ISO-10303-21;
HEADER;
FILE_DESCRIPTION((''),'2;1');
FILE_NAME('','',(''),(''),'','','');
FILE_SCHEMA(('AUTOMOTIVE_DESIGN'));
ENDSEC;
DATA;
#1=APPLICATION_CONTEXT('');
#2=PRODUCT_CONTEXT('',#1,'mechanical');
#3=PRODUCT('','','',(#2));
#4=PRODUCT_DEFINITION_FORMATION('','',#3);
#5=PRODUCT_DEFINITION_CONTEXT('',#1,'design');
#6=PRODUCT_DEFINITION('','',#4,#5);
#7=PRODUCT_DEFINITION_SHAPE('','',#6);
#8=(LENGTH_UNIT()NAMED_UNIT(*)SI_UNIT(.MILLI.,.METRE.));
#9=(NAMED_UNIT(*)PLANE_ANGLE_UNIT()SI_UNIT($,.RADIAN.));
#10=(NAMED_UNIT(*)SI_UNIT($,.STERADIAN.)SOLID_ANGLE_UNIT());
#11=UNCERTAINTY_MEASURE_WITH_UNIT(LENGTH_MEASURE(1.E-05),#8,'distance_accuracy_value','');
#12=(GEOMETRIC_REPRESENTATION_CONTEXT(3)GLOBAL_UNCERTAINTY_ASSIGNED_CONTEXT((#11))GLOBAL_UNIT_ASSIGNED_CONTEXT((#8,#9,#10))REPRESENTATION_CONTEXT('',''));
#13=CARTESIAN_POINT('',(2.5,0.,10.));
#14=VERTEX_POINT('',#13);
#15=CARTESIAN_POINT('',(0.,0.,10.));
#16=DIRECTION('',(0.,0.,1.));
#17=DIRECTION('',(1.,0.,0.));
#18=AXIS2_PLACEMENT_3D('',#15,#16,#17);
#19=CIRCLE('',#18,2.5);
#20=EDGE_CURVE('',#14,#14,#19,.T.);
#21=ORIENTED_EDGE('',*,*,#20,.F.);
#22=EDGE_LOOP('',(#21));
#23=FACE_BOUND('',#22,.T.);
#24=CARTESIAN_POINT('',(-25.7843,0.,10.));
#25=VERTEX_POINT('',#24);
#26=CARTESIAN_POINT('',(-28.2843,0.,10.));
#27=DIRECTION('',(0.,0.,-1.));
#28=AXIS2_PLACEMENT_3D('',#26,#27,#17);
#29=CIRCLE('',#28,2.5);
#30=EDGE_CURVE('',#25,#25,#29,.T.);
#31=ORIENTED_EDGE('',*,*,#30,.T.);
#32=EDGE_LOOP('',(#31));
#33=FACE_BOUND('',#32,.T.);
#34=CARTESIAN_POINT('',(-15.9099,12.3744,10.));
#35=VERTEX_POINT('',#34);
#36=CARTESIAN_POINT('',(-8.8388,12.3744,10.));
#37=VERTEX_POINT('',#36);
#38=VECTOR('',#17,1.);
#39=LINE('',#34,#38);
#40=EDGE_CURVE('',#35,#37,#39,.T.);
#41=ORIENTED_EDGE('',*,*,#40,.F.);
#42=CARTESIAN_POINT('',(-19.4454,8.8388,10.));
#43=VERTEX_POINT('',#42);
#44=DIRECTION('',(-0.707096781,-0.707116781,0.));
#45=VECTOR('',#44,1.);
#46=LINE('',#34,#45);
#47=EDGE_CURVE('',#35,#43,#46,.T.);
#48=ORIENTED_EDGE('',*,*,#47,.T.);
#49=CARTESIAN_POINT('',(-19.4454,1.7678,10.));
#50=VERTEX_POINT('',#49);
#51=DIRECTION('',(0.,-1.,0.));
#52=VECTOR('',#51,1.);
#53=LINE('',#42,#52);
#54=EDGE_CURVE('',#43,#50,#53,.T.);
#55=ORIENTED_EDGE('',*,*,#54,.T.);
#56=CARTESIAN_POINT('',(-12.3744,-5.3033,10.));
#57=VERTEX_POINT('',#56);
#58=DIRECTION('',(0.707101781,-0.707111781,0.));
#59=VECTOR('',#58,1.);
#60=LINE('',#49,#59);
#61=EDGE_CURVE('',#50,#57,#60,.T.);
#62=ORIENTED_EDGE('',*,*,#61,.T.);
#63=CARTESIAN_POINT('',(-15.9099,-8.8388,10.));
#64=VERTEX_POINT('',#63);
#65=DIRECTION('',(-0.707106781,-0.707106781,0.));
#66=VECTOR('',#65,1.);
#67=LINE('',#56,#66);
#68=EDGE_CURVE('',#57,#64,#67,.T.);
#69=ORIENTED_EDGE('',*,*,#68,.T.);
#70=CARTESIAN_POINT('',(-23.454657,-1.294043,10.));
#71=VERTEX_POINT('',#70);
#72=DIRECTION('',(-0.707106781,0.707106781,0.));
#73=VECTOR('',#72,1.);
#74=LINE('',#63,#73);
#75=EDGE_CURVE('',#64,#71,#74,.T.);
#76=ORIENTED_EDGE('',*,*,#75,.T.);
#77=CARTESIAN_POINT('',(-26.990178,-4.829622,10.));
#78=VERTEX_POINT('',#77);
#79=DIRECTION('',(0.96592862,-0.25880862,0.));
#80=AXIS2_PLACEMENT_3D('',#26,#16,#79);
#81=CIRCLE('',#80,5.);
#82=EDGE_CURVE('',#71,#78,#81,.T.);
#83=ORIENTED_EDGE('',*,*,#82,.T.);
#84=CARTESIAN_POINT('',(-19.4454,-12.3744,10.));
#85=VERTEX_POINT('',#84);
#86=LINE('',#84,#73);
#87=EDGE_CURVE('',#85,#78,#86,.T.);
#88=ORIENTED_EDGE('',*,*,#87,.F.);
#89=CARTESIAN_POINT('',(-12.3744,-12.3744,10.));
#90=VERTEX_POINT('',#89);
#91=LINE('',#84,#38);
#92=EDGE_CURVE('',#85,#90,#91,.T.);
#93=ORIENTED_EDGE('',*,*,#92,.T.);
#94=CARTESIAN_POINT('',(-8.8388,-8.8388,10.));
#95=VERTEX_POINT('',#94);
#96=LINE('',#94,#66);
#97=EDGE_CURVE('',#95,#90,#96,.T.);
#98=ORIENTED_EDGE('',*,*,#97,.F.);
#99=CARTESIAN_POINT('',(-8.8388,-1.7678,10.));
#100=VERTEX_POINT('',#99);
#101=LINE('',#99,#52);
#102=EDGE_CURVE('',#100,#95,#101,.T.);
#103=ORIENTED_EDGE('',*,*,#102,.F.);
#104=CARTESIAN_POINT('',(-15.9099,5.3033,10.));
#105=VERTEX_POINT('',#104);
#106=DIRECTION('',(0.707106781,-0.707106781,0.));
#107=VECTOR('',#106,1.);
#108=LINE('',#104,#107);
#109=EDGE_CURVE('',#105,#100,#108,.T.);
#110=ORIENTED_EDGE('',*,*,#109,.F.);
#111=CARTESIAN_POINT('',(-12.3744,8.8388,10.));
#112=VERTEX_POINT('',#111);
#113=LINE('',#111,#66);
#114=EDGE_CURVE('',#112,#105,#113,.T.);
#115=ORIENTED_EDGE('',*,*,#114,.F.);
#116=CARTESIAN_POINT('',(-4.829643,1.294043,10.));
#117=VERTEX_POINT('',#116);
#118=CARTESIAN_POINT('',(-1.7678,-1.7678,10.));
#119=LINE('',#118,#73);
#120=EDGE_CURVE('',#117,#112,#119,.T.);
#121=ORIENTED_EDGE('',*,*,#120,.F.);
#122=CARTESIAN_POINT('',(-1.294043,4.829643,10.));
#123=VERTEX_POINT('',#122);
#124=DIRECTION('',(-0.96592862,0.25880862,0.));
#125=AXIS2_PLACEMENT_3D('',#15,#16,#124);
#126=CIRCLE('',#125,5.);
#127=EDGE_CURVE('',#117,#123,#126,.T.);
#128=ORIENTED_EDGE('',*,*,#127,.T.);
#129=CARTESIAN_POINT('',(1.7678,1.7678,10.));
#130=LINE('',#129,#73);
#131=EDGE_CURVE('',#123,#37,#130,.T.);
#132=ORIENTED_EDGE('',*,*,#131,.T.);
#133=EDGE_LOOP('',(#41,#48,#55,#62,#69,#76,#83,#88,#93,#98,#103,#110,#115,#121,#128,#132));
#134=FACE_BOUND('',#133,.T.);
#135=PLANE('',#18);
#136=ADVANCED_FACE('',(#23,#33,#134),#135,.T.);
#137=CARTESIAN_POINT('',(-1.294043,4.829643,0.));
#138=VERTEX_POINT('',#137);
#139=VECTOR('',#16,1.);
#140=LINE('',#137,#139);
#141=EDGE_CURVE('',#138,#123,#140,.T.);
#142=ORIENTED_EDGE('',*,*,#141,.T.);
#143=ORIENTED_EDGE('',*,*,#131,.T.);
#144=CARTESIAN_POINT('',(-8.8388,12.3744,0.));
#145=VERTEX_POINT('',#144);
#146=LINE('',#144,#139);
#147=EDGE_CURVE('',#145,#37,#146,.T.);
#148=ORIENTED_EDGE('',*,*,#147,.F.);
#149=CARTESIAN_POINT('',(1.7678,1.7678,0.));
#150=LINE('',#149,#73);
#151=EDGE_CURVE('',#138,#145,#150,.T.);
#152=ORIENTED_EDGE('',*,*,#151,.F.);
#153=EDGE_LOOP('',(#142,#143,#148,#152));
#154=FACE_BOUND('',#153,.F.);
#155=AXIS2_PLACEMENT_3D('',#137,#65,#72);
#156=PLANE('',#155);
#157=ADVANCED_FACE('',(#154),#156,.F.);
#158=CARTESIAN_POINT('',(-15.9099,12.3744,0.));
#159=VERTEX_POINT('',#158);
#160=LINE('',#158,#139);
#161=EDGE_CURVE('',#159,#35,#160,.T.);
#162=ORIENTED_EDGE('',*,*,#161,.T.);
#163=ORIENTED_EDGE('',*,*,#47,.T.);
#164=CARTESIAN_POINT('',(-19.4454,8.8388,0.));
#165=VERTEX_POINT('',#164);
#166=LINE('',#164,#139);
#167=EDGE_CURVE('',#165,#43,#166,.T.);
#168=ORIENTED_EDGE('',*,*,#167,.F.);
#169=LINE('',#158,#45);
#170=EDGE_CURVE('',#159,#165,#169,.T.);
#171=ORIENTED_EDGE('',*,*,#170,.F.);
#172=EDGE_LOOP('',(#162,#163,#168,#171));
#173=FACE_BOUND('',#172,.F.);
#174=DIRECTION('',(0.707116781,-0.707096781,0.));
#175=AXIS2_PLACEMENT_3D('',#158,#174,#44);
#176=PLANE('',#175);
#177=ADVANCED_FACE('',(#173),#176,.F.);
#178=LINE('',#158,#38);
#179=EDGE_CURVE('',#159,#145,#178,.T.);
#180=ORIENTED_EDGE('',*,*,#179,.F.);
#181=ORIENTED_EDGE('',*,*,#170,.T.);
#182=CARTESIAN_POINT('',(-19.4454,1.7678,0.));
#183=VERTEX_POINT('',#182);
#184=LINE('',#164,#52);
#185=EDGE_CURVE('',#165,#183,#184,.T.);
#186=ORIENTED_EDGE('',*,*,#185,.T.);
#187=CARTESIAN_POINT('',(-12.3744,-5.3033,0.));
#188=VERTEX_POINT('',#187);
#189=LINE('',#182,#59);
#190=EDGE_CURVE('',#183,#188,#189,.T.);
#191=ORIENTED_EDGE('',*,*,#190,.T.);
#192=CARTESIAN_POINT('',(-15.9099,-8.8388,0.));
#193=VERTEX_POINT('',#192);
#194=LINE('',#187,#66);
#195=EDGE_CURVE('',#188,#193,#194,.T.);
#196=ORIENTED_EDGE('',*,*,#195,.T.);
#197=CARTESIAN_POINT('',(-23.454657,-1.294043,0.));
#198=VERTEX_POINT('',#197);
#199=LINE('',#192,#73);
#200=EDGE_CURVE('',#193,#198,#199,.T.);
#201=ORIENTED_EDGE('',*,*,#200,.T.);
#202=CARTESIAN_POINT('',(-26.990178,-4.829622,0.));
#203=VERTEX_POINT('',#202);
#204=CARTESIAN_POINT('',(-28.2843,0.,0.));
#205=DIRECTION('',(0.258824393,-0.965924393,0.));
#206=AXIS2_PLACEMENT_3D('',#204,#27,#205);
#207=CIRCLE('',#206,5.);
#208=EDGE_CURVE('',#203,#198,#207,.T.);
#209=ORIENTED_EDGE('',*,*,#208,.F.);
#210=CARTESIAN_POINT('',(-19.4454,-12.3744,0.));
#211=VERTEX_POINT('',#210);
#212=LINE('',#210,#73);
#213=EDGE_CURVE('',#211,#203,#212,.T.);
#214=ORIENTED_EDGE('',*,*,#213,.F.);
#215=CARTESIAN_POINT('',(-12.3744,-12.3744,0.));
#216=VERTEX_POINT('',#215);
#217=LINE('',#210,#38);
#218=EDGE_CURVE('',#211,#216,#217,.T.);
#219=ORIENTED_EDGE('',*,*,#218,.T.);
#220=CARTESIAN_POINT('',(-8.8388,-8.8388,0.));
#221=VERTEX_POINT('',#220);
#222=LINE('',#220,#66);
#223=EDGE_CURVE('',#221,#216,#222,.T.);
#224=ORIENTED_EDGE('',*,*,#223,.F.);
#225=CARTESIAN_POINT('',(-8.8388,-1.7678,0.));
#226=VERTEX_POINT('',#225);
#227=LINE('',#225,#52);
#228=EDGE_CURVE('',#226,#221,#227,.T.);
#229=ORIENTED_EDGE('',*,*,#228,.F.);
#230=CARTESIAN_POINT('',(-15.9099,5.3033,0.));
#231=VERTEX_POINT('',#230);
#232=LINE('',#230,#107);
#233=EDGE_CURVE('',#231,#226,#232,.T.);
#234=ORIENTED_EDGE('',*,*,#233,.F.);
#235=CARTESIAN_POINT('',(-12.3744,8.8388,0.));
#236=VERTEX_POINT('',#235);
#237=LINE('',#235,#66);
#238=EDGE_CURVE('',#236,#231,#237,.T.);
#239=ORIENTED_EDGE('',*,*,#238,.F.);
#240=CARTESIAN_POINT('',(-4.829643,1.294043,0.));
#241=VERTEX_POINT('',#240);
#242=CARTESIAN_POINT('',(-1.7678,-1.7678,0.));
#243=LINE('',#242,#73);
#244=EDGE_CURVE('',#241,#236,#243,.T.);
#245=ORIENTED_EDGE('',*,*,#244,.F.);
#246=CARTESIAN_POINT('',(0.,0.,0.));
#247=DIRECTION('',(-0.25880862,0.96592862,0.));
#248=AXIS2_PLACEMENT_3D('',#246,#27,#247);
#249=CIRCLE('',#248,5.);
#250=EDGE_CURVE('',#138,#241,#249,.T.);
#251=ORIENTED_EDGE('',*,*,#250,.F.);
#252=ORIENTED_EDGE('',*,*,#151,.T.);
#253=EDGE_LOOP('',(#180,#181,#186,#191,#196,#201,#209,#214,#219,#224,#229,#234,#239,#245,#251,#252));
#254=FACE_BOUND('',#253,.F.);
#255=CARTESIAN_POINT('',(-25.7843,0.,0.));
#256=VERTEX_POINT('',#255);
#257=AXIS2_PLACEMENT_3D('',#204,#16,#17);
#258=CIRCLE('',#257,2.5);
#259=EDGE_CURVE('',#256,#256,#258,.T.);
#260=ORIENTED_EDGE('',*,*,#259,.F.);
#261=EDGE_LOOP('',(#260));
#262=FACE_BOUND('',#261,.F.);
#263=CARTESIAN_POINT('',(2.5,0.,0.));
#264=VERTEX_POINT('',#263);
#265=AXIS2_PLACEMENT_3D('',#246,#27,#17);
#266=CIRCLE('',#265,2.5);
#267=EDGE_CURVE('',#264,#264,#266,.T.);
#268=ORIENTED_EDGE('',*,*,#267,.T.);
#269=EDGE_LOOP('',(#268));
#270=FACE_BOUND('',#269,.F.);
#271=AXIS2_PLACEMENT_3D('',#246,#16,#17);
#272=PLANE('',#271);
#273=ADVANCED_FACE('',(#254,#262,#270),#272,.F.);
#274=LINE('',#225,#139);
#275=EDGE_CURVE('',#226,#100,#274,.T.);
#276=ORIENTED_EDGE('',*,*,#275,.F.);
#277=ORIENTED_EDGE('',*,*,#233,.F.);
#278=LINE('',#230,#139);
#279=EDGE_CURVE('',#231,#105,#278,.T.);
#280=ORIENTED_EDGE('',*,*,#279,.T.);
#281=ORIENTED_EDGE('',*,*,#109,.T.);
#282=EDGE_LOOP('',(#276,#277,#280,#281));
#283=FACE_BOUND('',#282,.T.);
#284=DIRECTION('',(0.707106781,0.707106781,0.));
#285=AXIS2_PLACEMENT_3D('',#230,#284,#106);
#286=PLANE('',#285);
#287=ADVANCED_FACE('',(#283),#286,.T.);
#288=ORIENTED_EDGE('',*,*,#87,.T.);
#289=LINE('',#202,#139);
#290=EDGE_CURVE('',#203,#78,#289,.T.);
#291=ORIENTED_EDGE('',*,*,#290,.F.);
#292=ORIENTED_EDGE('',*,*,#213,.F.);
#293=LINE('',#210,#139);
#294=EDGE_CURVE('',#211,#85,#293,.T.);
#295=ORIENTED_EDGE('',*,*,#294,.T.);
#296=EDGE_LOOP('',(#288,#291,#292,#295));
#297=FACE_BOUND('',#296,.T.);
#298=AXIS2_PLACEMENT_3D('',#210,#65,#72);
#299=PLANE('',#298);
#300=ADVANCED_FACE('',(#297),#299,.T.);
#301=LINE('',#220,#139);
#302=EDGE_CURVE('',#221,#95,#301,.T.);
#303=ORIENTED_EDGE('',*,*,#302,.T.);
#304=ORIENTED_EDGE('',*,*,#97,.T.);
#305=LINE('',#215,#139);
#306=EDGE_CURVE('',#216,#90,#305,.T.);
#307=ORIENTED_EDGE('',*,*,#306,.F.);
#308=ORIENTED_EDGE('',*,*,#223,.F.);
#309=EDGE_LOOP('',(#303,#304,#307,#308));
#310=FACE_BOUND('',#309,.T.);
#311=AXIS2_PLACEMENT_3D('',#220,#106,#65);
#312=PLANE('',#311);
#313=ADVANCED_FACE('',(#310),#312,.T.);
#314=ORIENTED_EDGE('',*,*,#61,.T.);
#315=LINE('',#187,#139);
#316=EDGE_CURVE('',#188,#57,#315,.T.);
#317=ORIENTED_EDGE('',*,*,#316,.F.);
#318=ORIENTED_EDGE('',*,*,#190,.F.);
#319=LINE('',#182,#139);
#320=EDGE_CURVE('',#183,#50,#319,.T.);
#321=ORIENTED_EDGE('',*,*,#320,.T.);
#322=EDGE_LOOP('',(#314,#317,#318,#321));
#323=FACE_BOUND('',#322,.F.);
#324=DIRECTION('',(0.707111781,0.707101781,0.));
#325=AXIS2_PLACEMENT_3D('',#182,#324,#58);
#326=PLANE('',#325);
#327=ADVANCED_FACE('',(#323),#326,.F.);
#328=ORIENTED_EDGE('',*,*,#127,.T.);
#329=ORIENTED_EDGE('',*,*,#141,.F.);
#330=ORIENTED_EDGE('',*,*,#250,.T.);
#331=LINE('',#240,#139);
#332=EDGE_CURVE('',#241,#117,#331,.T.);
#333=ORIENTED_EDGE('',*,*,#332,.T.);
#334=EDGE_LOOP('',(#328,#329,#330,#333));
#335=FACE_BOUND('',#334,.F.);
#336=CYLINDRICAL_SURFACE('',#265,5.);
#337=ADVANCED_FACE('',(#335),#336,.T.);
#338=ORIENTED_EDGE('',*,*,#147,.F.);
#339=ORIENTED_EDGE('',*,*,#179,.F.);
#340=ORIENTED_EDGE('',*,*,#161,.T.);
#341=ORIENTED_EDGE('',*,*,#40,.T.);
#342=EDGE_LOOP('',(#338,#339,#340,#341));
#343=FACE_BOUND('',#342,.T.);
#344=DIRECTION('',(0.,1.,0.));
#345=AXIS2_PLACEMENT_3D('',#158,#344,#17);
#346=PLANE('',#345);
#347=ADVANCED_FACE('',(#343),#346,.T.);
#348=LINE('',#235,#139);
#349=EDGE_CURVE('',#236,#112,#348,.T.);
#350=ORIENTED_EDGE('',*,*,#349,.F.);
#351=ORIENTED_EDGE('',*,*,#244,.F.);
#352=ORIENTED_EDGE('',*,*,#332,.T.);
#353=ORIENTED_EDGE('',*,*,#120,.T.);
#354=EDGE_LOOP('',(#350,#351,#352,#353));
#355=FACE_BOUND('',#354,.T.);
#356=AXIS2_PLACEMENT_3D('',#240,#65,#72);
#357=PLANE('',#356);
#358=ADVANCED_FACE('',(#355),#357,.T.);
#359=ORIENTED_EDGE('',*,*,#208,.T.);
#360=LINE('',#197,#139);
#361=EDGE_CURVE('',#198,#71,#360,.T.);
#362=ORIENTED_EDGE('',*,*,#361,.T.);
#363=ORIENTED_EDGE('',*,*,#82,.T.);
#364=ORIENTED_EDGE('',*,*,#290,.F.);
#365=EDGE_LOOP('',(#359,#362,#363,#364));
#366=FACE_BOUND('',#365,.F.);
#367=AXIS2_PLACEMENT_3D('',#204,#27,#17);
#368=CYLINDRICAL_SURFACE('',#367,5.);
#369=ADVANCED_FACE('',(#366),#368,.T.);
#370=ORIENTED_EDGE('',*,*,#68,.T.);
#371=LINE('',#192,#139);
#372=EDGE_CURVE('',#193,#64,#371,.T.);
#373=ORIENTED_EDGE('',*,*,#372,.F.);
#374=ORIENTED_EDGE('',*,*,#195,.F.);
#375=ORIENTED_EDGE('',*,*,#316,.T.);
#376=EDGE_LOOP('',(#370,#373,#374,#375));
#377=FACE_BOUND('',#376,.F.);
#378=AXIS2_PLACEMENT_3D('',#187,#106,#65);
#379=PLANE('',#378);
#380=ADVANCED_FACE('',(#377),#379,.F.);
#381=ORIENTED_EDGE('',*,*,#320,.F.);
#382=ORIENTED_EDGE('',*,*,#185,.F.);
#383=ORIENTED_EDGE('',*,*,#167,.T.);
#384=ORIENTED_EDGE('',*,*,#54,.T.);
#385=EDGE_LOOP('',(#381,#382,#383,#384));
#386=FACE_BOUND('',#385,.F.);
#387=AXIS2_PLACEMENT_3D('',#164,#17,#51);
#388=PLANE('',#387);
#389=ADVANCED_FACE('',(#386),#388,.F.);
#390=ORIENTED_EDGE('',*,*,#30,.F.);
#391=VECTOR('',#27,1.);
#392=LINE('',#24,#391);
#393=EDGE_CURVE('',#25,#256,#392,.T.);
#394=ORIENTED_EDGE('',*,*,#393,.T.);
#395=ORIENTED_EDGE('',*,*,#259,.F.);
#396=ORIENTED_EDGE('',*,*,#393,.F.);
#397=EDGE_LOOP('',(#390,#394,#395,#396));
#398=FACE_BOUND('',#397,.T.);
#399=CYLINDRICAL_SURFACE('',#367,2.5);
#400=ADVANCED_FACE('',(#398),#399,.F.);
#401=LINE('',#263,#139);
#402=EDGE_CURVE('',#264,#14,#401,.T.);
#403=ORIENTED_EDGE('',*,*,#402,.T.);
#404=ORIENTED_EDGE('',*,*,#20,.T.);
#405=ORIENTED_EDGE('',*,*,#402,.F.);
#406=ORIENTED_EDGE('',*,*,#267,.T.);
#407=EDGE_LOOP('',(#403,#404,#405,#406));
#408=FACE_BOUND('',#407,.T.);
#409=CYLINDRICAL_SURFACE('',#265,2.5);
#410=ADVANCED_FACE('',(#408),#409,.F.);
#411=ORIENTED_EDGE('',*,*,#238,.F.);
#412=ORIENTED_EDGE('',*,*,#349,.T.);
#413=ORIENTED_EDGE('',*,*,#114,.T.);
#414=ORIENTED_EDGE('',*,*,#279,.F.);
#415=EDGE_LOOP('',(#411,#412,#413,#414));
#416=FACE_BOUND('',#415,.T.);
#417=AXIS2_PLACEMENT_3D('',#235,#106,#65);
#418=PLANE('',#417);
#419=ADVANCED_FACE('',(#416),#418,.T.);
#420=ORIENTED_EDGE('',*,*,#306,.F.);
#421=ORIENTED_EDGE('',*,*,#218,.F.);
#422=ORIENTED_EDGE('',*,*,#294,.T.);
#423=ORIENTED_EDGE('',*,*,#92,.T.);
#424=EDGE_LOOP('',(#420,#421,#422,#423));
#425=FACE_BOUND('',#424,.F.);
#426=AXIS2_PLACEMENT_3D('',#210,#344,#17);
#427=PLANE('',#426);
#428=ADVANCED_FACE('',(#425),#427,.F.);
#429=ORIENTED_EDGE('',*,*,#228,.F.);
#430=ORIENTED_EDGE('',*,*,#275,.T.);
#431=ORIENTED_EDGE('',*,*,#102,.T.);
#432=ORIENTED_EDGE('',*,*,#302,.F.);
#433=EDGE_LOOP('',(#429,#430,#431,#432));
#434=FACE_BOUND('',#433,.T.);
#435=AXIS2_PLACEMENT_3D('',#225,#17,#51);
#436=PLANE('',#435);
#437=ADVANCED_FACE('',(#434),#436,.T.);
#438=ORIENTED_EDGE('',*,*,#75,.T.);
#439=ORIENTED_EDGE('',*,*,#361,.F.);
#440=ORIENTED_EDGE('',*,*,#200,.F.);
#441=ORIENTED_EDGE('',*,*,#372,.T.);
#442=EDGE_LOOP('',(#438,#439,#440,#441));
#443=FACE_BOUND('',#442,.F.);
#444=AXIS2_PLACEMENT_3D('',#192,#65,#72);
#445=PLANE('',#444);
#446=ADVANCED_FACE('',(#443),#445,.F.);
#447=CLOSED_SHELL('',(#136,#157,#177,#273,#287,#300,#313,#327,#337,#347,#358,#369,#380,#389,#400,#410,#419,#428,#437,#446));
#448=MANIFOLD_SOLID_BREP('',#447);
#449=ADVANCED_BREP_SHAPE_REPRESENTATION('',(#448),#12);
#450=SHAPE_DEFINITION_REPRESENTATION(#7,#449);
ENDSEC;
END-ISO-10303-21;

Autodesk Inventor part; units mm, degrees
ref_plane "YZ Plane" through (0, 0, 0) normal (1, 0, 0) x (0, 1, 0)
ref_plane "XZ Plane" through (0, 0, 0) normal (0, 1, 0) x (-1, 0, 0)
ref_plane "XY Plane" through (0, 0, 0) normal (0, 0, 1) x (1, 0, 0)
sketch "Sketch1" plane through (0, 0, 0) normal (0, 0, 1) x (1, 0, 0)
  circle A0 centre (0, 0) radius 2.5
  circle A1 centre (0, 0) radius 5
  line L0 (-1.7678, -1.7678) -> (-12.3744, 8.8388)
  line L1 (-12.3744, 8.8388) -> (-15.9099, 5.3033)
  line L2 (-15.9099, 5.3033) -> (-8.8388, -1.7678)
  line L3 (-8.8388, -1.7678) -> (-8.8388, -8.8388)
  line L4 (-8.8388, -8.8388) -> (-12.3744, -12.3744)
  line L5 (-19.4454, -12.3744) -> (-30.052, -1.7678)
  line L6 (1.7678, 1.7678) -> (-8.8388, 12.3744)
  line L7 (-15.9099, 12.3744) -> (-19.4454, 8.8388)
  line L8 (-19.4454, 8.8388) -> (-19.4454, 1.7678)
  line L9 (-19.4454, 1.7678) -> (-12.3744, -5.3033)
  line L10 (-12.3744, -5.3033) -> (-15.9099, -8.8388)
  line L11 (-15.9099, -8.8388) -> (-26.5165, 1.7678)
  line L12 (-26.5165, 1.7678) -> (-30.052, -1.7678)
  line L13 (-1.7678, -1.7678) -> (1.7678, 1.7678)
  circle A2 centre (-28.2843, 0) radius 2.5
  circle A3 centre (-28.2843, 0) radius 5
  line L14 (-15.9099, 12.3744) -> (-8.8388, 12.3744)
  line L15 (-19.4454, -12.3744) -> (-12.3744, -12.3744)
  dimension "d0" = 5
  dimension "d1" = 10
  dimension "d3" = 90
  dimension "d6" = 135
  dimension "d7" = 135
  dimension "d8" = 90
  dimension "d9" = 5
  dimension "d12" = 10
  dimension "d13" = 15
  dimension "d14" = 15
  dimension "d31" = 7.0711
  dimension "d32" = 15
  dimension "d33" = 7.0711
  dimension "d34" = 15
  dimension "d35" = 7.0711
  dimension "d36" = 7.0711
  dimension "d37" = 5
  dimension "d38" = 90
  dimension "d39" = 135
  dimension "d40" = 5
  dimension "d41" = 5
extrude "Extrusion6" add sketch "Sketch1" along normal blind 10 contours A0 L6 A1 L0 | A0 L0 A1 L6 | A1 L0 L1 L2 L3 L4 L15 L5 A3 L11 L10 L9 L8 L7 L14 L6 | A3 L5 A2 L11 | L11 A2 L5 A3 | A2 L12 picked at (-27.7945, -0.6742)
sketch "Sketch4" plane through (0, 0, 10) normal (0, 0, 1) x (1, 0, 0)
  line L0 (-1.2941, 4.8296) -> (-8.8388, 12.3744) projected
  line L1 (-8.8388, 12.3744) -> (-15.9099, 12.3744) projected
  line L2 (-15.9099, 12.3744) -> (-19.4454, 8.8388) projected
  line L3 (-19.4454, 8.8388) -> (-19.4454, 1.7678) projected
  line L4 (-19.4454, 1.7678) -> (-12.3744, -5.3033) projected
  line L5 (-12.3744, -5.3033) -> (-15.9099, -8.8388) projected
  line L6 (-15.9099, -8.8388) -> (-23.4546, -1.2941) projected
  arc A0 (-23.4546, -1.2941) -> (-26.9902, -4.8296) centre (-28.2843, 0) ccw projected
  line L7 (-26.9902, -4.8296) -> (-19.4454, -12.3744) projected
  line L8 (-19.4454, -12.3744) -> (-12.3744, -12.3744) projected
  line L9 (-12.3744, -12.3744) -> (-8.8388, -8.8388) projected
  line L10 (-8.8388, -8.8388) -> (-8.8388, -1.7678) projected
  line L11 (-8.8388, -1.7678) -> (-15.9099, 5.3033) projected
  line L12 (-15.9099, 5.3033) -> (-12.3744, 8.8388) projected
  line L13 (-12.3744, 8.8388) -> (-4.8296, 1.2941) projected
  arc A1 (-4.8296, 1.2941) -> (-1.2941, 4.8296) centre (0, 0) ccw projected
  line L14 (-30.052, -1.7678) -> (-26.5165, 1.7678) projected
  arc A2 (-26.5165, 1.7678) -> (-30.052, -1.7678) centre (-28.2843, 0) ccw projected
  circle A3 centre (0, 0) radius 2.5 projected
  circle A4 centre (-28.2843, 0) radius 2.5
extrude "Extrusion7" cut sketch "Sketch4" against normal blind 10 contours L14 A4
equation "\"d1\" = 2 * d0"
equation "\"d9\" = d0"
equation "\"d12\" = d1"
equation "\"d13\" = 3 * d0"
equation "\"d14\" = d13"
properties part number "Sawaiz Logo Ribbon 2"
